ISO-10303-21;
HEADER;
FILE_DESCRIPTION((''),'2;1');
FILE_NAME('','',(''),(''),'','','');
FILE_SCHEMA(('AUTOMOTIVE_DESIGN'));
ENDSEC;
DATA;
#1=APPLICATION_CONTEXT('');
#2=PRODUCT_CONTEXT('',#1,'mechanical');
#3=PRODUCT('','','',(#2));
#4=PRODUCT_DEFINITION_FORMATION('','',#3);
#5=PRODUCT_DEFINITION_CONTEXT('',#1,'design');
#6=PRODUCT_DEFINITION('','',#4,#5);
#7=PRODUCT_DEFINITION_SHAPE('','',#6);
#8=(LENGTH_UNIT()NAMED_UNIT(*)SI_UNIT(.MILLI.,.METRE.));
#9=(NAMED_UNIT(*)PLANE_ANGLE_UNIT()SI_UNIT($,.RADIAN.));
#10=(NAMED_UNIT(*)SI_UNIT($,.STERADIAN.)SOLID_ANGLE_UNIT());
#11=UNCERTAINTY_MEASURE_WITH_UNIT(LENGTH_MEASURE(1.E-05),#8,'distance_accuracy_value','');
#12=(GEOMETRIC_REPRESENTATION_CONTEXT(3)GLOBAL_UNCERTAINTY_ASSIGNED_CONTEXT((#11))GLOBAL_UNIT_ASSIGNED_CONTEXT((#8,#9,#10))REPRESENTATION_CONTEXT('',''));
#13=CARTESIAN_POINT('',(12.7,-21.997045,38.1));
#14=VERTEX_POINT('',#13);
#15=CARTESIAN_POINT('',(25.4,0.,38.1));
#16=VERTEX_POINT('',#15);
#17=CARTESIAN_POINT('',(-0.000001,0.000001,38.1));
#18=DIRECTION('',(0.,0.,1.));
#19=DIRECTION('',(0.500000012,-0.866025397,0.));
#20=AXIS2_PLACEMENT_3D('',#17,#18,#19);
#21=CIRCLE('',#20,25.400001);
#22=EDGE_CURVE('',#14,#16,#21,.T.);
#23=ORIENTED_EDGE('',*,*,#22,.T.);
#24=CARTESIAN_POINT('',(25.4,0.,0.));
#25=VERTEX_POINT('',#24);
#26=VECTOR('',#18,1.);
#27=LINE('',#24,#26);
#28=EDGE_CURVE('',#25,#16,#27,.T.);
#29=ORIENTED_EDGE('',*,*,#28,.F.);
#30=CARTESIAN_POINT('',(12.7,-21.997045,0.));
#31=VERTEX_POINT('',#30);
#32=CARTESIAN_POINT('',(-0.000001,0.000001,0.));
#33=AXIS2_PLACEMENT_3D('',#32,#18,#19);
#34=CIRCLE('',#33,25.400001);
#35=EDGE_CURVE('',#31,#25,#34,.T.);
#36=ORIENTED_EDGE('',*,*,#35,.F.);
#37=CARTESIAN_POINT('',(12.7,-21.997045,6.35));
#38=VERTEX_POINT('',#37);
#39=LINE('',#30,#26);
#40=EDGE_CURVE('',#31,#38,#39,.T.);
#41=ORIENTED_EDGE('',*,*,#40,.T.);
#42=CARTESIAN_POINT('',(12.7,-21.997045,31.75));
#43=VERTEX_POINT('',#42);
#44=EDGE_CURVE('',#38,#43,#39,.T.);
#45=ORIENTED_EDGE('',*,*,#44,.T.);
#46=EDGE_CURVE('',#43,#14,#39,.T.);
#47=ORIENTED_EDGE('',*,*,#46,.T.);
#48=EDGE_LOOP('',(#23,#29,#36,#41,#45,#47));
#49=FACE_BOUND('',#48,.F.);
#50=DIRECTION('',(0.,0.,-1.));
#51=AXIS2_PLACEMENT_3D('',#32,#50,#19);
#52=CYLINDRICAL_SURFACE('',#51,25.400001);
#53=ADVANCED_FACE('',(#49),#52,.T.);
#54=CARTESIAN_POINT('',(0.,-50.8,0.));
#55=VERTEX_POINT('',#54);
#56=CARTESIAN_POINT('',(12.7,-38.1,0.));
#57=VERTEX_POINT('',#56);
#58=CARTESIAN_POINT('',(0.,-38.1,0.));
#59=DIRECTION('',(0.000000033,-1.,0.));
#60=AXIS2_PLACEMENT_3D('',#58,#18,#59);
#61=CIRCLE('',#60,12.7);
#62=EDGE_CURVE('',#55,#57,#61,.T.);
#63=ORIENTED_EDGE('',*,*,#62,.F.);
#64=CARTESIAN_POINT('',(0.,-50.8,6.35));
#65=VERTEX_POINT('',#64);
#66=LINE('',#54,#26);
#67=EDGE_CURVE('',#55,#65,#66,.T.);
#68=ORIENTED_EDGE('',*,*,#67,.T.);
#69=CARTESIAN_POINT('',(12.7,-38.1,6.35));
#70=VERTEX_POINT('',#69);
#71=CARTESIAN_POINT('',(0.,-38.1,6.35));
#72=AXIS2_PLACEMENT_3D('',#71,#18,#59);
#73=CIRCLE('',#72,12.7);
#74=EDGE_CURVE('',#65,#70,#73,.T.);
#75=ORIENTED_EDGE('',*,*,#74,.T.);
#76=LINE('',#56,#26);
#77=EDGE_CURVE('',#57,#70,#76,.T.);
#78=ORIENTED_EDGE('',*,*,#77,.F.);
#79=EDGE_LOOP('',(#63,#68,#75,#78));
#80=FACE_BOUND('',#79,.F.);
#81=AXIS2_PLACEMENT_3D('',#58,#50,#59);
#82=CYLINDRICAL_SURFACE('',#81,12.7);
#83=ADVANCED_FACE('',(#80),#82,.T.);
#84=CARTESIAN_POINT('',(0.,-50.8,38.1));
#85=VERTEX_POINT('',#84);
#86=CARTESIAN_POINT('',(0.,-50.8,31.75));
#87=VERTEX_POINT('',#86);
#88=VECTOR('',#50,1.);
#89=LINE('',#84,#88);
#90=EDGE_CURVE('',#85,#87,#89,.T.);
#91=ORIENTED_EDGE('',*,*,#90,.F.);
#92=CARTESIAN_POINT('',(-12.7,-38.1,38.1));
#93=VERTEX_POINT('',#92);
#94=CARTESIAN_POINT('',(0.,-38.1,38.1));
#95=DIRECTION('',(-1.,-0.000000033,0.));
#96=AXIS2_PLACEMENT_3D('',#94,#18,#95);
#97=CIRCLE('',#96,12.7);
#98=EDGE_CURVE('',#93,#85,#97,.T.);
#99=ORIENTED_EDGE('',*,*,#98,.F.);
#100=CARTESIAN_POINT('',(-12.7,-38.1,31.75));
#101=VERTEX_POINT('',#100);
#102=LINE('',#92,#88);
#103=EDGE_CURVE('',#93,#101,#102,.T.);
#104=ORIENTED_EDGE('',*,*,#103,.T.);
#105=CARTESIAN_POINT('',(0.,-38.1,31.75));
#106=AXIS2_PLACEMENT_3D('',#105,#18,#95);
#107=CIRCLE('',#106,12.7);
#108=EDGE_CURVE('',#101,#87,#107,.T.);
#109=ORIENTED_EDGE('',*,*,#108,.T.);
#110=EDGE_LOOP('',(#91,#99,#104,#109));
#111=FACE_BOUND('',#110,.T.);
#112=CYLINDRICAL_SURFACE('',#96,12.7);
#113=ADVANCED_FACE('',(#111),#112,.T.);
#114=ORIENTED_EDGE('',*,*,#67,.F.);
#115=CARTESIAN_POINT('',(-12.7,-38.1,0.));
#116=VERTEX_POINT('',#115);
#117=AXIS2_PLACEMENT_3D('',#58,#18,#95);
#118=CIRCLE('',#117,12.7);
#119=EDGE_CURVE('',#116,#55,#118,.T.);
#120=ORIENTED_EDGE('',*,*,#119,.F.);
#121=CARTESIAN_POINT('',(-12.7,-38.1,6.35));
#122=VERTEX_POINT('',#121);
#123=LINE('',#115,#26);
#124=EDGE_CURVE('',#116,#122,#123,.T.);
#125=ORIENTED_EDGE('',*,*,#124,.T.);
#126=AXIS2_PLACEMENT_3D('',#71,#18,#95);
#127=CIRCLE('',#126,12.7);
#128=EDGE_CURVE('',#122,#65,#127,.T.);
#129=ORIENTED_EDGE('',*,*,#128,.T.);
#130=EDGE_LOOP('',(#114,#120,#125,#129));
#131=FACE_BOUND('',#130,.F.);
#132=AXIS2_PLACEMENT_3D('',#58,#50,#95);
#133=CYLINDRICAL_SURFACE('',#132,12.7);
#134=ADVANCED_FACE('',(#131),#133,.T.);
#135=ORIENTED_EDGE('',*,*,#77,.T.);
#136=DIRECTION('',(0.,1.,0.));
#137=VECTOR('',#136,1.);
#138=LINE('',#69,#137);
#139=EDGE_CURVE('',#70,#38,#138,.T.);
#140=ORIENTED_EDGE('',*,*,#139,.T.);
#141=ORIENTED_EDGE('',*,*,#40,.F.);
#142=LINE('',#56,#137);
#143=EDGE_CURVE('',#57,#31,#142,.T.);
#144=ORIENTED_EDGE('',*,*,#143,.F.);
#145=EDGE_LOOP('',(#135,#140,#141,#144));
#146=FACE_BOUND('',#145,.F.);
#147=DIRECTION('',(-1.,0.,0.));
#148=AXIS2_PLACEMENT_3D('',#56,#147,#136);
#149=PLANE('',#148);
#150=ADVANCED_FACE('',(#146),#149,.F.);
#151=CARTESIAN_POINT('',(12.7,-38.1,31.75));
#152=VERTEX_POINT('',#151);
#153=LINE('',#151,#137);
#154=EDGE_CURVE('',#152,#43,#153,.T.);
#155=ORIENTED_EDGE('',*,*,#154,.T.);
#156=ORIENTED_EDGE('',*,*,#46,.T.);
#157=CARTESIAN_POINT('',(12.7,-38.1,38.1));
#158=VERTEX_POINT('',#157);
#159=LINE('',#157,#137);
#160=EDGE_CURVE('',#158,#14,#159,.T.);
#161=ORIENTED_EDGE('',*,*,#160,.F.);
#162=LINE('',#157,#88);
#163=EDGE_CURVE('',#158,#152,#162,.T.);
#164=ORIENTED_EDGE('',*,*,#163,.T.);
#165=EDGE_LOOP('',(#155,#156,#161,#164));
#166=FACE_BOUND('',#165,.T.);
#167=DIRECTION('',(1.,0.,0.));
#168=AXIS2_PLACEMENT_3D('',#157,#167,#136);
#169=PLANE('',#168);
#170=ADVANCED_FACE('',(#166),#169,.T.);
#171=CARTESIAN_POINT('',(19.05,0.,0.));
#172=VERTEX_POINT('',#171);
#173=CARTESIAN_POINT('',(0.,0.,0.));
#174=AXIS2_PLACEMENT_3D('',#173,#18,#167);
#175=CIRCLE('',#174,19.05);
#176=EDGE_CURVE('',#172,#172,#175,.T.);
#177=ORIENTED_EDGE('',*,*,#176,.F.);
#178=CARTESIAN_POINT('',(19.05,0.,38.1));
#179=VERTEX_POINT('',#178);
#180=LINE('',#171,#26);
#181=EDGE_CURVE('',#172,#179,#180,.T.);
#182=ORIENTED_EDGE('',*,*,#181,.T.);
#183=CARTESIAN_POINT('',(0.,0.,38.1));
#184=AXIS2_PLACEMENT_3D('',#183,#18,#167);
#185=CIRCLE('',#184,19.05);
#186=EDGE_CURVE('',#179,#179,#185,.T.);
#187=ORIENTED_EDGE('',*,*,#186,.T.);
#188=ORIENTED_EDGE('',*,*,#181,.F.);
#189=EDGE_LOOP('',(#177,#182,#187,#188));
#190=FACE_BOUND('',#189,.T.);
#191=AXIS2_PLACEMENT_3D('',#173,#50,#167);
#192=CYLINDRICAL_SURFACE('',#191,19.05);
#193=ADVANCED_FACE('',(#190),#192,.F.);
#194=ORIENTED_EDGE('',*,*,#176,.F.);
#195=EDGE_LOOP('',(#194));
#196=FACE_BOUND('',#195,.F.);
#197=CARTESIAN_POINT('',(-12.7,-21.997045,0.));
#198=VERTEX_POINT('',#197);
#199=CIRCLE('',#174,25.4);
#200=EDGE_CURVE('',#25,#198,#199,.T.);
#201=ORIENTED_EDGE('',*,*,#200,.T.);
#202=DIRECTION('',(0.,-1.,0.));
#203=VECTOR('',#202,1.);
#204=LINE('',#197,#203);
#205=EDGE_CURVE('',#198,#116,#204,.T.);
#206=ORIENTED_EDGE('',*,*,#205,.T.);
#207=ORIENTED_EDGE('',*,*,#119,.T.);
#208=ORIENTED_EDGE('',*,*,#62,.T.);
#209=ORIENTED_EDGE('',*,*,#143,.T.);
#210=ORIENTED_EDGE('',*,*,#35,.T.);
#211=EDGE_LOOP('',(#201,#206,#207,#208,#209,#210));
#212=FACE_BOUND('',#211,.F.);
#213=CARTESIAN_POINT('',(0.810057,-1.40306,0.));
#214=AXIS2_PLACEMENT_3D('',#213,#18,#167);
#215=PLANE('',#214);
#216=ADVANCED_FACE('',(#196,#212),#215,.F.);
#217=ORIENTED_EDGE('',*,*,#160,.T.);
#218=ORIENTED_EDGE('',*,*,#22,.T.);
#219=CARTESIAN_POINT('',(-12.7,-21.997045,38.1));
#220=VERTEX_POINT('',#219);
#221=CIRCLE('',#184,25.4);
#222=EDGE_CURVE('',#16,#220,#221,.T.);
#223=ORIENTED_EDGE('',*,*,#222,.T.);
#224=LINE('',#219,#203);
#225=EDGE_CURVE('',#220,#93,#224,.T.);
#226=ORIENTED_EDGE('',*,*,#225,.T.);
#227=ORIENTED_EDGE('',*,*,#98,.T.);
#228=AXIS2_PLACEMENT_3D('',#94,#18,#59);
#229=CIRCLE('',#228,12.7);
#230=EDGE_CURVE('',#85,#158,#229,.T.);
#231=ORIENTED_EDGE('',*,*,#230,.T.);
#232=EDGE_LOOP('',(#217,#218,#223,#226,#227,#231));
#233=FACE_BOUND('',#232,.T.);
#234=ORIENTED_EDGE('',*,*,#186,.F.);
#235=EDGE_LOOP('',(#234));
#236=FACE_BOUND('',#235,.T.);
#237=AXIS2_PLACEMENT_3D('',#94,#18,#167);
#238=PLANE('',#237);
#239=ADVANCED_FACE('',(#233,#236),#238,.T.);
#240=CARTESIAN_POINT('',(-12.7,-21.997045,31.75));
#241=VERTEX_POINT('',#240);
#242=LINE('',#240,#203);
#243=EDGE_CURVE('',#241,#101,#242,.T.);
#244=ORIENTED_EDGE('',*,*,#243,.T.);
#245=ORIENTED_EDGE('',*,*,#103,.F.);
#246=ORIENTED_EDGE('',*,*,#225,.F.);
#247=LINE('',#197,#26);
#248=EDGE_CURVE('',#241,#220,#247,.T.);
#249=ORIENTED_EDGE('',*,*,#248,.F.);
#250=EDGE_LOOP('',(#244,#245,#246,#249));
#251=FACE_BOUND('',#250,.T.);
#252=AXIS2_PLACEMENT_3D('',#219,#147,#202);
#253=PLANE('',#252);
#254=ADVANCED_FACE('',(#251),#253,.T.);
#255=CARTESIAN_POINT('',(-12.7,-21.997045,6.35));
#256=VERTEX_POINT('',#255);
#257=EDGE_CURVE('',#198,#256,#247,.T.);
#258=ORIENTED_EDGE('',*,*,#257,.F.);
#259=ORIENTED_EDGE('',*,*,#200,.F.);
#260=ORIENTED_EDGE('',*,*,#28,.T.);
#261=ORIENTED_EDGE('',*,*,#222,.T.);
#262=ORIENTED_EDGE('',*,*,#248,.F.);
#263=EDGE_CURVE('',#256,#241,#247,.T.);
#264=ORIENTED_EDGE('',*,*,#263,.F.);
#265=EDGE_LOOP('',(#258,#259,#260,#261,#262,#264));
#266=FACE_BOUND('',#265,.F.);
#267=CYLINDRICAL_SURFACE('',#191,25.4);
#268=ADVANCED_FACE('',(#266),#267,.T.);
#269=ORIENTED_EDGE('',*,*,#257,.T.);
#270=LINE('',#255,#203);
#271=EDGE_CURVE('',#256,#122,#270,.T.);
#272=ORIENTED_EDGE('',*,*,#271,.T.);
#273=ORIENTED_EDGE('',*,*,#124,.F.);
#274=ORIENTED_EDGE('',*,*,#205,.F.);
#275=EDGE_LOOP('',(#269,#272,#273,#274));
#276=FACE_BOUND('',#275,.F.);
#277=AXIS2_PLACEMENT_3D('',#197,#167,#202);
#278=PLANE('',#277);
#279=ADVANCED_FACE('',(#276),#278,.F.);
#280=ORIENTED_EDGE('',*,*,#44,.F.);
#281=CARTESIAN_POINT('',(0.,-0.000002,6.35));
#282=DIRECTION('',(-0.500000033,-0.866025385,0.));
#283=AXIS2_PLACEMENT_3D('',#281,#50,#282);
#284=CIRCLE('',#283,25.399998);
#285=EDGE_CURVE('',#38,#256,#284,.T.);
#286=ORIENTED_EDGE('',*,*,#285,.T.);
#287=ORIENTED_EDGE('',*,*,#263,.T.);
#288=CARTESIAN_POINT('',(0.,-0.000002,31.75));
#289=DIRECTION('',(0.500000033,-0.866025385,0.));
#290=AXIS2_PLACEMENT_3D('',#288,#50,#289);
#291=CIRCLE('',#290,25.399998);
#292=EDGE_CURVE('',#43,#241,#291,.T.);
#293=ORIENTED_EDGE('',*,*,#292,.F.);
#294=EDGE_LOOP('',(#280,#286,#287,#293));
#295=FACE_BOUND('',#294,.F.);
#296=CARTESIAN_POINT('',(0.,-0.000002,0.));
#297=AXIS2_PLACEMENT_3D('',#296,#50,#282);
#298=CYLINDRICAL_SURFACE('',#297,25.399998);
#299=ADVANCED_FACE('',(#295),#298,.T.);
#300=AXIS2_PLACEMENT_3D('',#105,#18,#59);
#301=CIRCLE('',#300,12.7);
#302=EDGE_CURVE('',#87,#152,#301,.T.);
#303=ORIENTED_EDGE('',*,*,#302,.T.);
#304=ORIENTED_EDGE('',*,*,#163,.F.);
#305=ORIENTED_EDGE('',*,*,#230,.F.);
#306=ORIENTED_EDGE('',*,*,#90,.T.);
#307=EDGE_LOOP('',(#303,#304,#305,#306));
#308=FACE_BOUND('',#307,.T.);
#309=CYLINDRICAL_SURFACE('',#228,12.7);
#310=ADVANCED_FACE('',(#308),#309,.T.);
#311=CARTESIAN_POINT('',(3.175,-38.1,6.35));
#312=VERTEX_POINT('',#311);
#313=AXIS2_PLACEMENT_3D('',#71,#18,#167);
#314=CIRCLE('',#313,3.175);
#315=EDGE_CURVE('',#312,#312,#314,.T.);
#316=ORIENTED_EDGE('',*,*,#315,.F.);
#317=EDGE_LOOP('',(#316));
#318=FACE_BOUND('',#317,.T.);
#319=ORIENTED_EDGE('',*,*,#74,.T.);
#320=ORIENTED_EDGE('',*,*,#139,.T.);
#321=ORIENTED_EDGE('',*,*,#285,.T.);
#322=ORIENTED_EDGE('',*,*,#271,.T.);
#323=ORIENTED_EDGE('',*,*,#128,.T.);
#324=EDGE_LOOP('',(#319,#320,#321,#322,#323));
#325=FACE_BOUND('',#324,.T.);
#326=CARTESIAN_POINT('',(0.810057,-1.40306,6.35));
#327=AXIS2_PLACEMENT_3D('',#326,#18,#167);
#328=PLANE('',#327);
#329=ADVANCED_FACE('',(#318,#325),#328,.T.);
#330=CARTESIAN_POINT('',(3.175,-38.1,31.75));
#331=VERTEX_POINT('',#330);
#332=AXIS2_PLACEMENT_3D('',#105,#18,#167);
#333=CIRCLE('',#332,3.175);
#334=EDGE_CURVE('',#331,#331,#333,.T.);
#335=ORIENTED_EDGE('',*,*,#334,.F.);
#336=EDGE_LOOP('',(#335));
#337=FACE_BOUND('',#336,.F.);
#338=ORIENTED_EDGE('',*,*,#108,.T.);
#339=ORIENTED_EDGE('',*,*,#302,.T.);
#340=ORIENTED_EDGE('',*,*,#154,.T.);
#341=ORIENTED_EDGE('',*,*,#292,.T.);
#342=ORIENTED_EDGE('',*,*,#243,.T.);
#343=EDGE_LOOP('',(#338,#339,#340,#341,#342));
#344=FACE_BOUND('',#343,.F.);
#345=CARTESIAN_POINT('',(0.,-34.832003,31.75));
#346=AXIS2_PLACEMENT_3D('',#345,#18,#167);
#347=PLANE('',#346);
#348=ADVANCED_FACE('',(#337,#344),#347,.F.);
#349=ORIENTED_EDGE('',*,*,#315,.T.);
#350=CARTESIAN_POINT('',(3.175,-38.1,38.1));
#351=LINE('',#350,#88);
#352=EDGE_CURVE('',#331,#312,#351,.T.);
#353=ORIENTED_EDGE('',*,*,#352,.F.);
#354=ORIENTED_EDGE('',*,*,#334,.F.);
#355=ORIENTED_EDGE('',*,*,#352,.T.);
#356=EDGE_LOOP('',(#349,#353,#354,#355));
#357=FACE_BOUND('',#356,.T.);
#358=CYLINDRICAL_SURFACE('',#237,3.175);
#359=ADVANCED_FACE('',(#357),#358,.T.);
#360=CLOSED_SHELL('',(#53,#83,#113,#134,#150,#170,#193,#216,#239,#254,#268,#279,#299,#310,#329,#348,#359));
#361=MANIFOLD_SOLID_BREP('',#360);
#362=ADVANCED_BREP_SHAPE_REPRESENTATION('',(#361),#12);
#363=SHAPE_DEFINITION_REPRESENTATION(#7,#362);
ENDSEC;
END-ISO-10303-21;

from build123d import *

# Parameters (mm, degrees)
F0_R     = 19.05
F1_DEPTH = 38.1
F2_DEPTH = 6.35
F4_R     = 3.175
F5_DEPTH = 6.35
F6_DEPTH = 38.1


with BuildPart() as f1:
    # F0 (on Top) → F1 (new body)
    with BuildSketch(Plane.XY):
        with BuildLine():
            ThreePointArc((12.7, -21.997045), (21.997045, -12.7), (25.4, 0))
            ThreePointArc((25.4, 0), (-12.7, 21.997045), (-12.7, -21.997045))
            ThreePointArc((-12.7, -21.997045), (0, -25.4), (12.7, -21.997045))
        make_face()
        Circle(F0_R, mode=Mode.SUBTRACT)
    extrude(amount=F1_DEPTH)

    # F0 (on Top) → F2 (join)
    with BuildSketch(Plane.XY):
        with BuildLine():
            ThreePointArc((12.7, -21.997045), (21.997045, -12.7), (25.4, 0))
            ThreePointArc((25.4, 0), (-12.7, 21.997045), (-12.7, -21.997045))
            ThreePointArc((-12.7, -21.997045), (0, -25.4), (12.7, -21.997045))
        make_face()
        Circle(F0_R, mode=Mode.SUBTRACT)
        with BuildLine():
            ThreePointArc((12.7, -21.997045), (0, -25.4), (-12.7, -21.997045))
            Line((-12.7, -21.997045), (-12.7, -38.1))
            ThreePointArc((-12.7, -38.1), (-8.980256, -47.080256), (0, -50.8))
            ThreePointArc((0, -50.8), (8.980256, -47.080256), (12.7, -38.1))
            Line((12.7, -38.1), (12.7, -21.997045))
        make_face()
    extrude(amount=F2_DEPTH)

    # F4 (on offset) → F5 (join)
    with BuildSketch(Plane.XY.offset(38.1)):
        with BuildLine():
            ThreePointArc((12.7, -21.997045), (0, -25.4), (-12.7, -21.997045))
            Line((-12.7, -21.997045), (-12.7, -38.1))
            ThreePointArc((-12.7, -38.1), (-8.980256, -47.080256), (0, -50.8))
            ThreePointArc((0, -50.8), (8.980256, -47.080256), (12.7, -38.1))
            Line((12.7, -38.1), (12.7, -21.997045))
        make_face()
        with Locations((0, -38.1)):
            Circle(F4_R, mode=Mode.SUBTRACT)
        with Locations((0, -38.1)):
            Circle(F4_R)
    extrude(amount=-F5_DEPTH)

    # F4 (on offset) → F6 (join)
    with BuildSketch(Plane.XY.offset(38.1)):
        with Locations((0, -38.1)):
            Circle(F4_R)
    extrude(amount=-F6_DEPTH)


solid = f1.part
